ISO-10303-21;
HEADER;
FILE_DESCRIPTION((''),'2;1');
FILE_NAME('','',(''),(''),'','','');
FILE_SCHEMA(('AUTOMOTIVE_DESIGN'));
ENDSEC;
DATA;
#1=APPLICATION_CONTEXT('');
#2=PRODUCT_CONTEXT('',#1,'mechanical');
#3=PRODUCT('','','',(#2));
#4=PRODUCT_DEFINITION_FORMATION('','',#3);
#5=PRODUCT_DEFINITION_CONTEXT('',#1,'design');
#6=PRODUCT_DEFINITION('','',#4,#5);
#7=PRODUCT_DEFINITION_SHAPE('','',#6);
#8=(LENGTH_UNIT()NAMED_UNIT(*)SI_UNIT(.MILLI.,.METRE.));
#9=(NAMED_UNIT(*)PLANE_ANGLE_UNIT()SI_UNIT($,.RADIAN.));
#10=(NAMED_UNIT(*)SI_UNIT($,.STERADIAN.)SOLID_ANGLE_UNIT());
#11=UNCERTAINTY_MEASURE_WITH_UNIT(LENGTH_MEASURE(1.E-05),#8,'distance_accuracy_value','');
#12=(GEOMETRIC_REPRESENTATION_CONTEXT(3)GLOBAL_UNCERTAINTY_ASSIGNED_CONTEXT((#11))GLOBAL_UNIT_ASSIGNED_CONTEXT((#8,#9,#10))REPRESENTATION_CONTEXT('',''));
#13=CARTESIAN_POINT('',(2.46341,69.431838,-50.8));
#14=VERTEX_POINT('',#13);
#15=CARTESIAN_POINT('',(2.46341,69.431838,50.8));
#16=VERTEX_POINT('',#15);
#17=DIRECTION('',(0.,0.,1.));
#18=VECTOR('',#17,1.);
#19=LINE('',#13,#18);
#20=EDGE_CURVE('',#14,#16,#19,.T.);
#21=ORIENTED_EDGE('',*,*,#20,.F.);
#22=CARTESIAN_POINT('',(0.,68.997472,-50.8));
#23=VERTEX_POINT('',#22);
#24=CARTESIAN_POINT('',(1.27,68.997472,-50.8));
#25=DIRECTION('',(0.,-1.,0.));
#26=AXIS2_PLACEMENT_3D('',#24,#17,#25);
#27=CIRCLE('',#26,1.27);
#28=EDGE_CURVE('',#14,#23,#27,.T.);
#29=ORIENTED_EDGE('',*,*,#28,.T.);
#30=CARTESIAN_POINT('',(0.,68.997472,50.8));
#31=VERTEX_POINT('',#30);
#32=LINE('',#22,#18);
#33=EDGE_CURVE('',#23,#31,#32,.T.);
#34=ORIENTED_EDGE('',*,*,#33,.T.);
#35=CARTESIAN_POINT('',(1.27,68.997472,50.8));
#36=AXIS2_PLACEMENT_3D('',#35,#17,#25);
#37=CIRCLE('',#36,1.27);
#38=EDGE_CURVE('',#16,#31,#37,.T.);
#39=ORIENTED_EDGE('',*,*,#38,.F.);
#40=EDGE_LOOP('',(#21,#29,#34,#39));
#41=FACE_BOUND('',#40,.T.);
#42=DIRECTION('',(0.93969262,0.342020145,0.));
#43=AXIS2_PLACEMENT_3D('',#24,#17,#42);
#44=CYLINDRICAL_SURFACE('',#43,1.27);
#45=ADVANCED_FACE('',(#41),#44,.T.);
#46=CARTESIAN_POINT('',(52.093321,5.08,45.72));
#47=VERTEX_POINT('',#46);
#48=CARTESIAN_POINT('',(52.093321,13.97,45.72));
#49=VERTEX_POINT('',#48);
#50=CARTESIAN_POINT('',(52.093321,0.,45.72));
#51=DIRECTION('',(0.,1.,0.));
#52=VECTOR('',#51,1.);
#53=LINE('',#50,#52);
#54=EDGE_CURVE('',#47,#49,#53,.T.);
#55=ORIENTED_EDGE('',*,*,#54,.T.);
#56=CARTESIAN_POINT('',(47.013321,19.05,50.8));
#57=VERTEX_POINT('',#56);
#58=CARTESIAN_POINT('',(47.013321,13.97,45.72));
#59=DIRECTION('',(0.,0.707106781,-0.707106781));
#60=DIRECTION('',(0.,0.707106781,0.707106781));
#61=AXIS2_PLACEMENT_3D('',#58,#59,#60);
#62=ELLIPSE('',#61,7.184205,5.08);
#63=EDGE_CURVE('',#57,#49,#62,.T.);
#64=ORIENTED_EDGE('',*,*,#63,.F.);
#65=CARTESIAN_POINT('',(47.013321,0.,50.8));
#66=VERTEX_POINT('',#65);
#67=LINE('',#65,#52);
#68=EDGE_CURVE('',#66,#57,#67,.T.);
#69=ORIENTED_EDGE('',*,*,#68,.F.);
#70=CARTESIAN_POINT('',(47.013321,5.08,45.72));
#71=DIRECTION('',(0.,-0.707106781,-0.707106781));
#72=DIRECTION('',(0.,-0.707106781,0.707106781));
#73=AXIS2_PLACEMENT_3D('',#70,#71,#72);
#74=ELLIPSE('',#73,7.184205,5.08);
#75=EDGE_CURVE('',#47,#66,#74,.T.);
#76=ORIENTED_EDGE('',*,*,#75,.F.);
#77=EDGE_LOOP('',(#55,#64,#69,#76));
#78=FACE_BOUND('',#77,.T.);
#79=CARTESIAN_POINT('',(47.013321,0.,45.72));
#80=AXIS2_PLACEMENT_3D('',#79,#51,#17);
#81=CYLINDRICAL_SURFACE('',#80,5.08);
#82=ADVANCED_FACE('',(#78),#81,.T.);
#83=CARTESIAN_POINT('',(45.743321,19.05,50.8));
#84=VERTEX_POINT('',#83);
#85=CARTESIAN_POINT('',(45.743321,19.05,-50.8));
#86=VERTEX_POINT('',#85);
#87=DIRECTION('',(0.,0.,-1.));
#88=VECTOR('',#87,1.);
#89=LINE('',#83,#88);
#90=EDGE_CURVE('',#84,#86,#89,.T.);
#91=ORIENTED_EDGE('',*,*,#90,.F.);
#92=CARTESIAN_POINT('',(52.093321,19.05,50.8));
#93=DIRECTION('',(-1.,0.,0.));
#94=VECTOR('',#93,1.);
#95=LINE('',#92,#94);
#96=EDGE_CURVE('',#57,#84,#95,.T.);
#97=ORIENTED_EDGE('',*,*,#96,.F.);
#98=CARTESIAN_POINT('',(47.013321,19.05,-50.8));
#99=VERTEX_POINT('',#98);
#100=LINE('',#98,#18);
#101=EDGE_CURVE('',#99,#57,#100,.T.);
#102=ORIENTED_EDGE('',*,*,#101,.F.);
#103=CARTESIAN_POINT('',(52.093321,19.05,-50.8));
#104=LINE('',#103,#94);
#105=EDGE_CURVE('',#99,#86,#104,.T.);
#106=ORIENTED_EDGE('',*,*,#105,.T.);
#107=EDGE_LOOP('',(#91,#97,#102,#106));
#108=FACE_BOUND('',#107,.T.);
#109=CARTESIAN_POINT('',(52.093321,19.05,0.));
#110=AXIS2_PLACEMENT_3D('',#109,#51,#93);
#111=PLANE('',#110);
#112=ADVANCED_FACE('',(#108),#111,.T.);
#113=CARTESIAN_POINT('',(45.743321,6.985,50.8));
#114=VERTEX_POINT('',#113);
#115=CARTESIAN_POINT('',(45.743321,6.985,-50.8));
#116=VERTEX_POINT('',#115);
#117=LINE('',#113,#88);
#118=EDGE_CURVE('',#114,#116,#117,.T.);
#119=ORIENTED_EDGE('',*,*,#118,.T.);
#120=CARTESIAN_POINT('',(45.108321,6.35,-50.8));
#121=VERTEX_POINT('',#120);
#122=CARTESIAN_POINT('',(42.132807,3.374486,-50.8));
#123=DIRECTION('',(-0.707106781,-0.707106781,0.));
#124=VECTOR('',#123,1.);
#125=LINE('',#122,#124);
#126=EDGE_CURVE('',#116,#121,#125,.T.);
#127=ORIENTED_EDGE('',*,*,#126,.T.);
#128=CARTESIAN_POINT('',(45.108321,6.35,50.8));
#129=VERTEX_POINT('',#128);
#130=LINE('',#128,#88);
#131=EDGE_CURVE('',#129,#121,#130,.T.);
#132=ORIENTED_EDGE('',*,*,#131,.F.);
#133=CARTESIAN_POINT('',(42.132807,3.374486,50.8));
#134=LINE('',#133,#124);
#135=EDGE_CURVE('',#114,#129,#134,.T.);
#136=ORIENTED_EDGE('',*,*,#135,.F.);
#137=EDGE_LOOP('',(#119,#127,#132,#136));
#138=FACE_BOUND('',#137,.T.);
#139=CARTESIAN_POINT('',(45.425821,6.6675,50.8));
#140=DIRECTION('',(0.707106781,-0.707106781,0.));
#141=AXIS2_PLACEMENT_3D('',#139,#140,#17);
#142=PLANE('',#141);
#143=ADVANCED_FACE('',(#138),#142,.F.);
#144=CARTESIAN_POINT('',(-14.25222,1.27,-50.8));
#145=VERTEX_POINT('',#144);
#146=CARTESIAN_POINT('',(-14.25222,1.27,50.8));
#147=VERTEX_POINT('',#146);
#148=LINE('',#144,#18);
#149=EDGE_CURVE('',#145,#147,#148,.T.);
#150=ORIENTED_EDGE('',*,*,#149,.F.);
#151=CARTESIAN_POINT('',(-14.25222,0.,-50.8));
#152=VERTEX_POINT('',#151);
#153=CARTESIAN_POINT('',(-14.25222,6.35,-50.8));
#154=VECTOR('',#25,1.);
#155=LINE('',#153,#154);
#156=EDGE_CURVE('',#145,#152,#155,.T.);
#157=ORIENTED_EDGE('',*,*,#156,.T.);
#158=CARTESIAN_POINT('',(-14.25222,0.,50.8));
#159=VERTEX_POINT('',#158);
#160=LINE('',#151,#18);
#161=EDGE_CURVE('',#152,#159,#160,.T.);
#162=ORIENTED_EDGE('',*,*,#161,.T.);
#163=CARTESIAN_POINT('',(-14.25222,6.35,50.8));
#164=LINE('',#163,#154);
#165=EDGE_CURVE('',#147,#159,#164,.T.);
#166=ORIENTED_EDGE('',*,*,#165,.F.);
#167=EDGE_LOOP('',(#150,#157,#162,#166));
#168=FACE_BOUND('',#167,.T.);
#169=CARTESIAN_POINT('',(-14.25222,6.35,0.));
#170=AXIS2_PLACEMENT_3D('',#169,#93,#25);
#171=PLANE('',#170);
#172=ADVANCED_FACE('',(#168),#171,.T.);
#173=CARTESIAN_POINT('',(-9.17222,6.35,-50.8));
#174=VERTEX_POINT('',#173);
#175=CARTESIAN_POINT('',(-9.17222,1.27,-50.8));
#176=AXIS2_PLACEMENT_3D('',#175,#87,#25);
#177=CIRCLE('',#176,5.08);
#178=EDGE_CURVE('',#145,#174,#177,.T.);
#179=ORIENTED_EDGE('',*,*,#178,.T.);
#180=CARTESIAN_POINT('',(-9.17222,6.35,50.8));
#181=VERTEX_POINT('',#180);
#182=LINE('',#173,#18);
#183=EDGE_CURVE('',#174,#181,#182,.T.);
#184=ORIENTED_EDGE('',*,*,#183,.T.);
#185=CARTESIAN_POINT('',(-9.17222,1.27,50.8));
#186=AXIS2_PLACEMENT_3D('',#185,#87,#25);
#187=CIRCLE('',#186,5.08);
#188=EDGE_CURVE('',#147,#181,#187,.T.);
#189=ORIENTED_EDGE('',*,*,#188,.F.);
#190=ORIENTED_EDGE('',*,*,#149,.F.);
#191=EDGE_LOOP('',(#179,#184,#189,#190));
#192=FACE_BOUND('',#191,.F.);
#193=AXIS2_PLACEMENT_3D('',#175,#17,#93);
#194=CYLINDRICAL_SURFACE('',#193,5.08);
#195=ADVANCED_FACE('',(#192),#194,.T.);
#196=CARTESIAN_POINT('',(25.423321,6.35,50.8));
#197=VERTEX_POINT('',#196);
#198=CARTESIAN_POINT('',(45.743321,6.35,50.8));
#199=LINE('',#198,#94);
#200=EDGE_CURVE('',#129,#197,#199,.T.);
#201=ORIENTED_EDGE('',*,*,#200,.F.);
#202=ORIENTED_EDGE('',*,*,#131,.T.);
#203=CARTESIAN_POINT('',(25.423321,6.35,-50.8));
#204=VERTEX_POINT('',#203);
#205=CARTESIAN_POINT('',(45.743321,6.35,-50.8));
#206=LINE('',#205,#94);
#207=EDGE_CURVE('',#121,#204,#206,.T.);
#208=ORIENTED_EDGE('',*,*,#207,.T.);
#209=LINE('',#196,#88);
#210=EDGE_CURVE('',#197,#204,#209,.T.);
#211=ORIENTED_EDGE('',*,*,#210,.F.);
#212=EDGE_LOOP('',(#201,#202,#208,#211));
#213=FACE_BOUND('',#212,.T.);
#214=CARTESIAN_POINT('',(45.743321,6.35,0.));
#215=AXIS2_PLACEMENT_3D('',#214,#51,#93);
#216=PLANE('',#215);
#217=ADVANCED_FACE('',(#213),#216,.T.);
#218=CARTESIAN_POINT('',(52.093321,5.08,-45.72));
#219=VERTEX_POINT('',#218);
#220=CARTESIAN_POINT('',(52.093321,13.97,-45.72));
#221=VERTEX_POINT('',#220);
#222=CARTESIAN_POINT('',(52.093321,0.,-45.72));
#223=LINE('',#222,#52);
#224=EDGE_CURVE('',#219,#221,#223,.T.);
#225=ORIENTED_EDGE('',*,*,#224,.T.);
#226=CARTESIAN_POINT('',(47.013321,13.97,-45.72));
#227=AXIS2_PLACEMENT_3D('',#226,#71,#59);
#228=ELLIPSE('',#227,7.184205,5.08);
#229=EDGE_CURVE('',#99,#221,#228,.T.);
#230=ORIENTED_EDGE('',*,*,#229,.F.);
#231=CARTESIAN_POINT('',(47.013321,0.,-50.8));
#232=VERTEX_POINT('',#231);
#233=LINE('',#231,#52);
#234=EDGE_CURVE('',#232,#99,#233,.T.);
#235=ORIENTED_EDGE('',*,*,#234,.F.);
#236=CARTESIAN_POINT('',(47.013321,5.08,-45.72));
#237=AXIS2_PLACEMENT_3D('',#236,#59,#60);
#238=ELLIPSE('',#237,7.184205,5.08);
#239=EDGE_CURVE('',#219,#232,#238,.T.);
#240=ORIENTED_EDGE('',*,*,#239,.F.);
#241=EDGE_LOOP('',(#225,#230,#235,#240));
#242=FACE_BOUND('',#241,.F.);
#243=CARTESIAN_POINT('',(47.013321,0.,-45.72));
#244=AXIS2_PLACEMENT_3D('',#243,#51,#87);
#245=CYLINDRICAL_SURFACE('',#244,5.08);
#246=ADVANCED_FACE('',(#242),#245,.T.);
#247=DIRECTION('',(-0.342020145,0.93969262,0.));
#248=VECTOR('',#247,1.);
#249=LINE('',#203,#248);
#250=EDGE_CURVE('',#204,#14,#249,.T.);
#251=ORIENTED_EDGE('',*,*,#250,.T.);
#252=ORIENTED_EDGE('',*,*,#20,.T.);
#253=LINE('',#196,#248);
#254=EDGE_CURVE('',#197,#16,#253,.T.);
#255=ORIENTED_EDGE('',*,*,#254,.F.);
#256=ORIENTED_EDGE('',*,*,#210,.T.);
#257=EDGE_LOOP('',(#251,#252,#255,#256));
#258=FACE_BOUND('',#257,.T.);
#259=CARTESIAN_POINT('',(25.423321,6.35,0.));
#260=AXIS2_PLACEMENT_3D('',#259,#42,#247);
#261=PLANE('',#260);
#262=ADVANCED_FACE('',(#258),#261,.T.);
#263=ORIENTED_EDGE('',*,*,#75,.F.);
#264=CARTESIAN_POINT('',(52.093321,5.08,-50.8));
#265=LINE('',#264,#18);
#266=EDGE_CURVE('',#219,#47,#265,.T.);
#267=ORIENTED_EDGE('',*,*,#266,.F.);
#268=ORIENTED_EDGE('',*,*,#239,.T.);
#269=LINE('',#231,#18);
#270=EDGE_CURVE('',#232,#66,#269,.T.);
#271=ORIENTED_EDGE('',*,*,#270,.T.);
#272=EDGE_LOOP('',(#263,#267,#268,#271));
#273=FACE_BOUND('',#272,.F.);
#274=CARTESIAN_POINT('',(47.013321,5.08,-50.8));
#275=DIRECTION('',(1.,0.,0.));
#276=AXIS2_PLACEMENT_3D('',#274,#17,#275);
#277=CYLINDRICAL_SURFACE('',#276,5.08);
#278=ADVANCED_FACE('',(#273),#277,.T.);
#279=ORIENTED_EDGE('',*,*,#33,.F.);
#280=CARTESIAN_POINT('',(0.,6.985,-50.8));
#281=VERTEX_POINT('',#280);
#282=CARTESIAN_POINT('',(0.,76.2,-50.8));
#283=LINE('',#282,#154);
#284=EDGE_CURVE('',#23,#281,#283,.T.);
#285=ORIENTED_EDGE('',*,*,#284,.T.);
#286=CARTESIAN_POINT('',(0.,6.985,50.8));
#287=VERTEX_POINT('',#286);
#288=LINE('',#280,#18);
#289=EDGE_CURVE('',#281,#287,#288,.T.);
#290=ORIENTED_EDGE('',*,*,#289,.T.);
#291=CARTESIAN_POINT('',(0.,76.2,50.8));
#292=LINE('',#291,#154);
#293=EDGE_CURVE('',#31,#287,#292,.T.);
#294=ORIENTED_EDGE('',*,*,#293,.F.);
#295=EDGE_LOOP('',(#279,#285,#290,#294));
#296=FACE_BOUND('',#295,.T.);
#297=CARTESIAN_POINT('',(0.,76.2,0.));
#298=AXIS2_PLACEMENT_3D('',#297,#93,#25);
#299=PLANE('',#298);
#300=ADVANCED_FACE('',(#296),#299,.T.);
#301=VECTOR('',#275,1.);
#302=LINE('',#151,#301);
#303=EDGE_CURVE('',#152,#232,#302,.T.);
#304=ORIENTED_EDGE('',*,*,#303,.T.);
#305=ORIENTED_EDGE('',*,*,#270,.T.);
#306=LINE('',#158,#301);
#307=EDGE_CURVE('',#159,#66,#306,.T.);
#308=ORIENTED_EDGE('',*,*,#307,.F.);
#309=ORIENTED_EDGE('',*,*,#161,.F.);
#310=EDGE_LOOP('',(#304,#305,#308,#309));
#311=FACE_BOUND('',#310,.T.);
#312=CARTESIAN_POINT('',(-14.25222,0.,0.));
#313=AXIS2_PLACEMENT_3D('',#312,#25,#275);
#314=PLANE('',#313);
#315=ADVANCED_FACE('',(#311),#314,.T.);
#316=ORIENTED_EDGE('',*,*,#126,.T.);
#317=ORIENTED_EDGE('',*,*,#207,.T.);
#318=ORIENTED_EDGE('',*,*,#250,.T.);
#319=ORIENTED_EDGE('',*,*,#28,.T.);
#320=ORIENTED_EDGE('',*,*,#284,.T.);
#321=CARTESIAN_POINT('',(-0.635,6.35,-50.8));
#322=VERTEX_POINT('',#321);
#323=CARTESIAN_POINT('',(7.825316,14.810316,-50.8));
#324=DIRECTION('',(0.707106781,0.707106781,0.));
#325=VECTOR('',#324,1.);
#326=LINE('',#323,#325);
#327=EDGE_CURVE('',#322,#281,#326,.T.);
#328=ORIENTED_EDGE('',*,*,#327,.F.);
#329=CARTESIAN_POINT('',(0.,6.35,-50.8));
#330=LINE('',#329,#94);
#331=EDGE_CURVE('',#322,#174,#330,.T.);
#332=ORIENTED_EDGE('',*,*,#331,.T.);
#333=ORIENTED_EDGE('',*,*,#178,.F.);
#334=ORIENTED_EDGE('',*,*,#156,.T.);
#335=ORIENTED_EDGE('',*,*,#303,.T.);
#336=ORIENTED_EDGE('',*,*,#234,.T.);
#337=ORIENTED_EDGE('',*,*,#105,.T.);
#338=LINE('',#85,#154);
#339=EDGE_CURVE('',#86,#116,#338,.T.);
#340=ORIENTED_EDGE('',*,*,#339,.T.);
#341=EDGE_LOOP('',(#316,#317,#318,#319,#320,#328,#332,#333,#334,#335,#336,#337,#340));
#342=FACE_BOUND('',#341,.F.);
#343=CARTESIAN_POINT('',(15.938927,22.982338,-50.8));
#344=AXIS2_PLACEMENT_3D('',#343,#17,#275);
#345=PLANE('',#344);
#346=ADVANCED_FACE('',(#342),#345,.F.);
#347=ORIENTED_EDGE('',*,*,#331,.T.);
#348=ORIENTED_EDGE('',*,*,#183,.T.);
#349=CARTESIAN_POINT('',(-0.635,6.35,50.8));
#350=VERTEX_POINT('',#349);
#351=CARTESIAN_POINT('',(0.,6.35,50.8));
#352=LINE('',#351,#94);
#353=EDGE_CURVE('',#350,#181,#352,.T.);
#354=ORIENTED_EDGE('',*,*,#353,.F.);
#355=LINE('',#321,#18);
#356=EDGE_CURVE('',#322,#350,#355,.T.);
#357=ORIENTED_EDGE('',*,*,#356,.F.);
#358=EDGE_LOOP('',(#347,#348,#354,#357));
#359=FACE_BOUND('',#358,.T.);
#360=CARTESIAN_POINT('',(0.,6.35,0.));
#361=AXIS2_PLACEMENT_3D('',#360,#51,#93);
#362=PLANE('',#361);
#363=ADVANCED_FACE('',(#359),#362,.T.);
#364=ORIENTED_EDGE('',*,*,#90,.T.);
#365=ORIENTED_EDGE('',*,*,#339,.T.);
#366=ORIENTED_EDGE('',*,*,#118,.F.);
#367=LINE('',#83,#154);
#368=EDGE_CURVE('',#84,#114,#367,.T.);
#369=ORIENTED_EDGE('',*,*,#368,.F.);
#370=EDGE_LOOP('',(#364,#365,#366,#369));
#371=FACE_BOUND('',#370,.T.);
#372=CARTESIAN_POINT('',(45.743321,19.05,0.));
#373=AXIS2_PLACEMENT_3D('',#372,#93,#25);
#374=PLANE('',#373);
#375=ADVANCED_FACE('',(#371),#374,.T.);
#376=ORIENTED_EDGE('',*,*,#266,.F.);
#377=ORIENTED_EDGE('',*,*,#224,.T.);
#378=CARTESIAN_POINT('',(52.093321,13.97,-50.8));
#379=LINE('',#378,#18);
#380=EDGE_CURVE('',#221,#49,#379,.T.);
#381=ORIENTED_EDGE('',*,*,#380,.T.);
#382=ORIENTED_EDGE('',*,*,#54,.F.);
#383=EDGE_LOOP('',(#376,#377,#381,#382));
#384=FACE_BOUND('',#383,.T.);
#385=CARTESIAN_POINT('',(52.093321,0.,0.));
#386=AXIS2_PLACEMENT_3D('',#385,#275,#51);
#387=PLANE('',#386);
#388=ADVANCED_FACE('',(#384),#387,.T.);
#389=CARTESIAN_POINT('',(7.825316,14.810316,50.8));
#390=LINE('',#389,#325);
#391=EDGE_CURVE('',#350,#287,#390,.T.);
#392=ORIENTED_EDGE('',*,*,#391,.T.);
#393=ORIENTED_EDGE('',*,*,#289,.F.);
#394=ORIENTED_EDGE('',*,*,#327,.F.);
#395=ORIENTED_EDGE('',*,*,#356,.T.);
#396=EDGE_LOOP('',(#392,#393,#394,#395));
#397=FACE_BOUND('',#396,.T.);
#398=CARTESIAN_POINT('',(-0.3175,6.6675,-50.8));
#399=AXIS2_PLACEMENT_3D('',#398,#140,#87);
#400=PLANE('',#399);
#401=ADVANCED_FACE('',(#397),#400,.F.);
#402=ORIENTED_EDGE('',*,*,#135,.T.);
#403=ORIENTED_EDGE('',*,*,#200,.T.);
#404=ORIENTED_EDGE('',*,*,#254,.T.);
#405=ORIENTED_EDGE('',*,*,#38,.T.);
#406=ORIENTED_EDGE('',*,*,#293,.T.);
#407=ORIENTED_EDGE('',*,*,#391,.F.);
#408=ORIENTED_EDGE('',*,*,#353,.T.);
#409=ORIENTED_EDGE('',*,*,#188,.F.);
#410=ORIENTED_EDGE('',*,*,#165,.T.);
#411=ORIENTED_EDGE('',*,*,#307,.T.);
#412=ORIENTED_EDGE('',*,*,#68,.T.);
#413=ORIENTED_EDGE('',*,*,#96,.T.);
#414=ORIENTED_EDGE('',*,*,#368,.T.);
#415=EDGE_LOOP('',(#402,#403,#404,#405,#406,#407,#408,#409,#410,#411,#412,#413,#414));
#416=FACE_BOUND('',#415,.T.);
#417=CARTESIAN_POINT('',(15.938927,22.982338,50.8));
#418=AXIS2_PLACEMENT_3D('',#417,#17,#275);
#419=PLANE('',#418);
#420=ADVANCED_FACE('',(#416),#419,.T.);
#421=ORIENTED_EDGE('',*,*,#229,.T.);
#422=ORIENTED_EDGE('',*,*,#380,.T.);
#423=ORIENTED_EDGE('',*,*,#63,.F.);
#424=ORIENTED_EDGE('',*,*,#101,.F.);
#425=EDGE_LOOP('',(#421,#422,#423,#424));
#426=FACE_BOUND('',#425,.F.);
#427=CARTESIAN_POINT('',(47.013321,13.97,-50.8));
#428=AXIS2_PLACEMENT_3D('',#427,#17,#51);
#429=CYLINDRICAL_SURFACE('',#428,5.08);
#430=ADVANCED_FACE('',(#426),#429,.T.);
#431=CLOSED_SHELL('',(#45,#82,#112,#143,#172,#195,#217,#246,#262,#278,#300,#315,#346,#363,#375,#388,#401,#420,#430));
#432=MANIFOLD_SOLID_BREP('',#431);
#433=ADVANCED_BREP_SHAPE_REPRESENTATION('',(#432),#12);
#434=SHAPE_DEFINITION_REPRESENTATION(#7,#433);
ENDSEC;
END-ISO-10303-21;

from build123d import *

# Parameters (mm, degrees)
F1_DEPTH = 50.8
F2_R     = 1.27
F3_R     = 5.08
F4_SIZE  = 0.635
F5_R     = 5.08


with BuildPart() as f1:
    # F0 (on Top) → F1 (new body, symmetric)
    with BuildSketch(Plane.XY):
        Polygon((25.423321, 6.35), (0, 76.2), (0, 6.35), (-14.25222, 6.35), (-14.25222, 0), (0, 0), (52.093321, 0), (52.093321, 19.05), (45.743321, 19.05), (45.743321, 6.35), align=None)
    extrude(amount=F1_DEPTH, both=True)

    # F2
    f2_edges = [f1.edges().sort_by_distance(p)[0] for p in [
        (0, 76.2, 0),
    ]]
    fillet(f2_edges, radius=F2_R)

    # F3
    f3_edges = [f1.edges().sort_by_distance(p)[0] for p in [
        (52.093321, 0, 0),
        (52.093321, 9.525, -50.8),
        (52.093321, 19.05, 0),
        (52.093321, 9.525, 50.8),
    ]]
    fillet(f3_edges, radius=F3_R)

    # F4
    f4_edges = [f1.edges().sort_by_distance(p)[0] for p in [
        (45.743321, 6.35, 0),
        (0, 6.35, 0),
    ]]
    chamfer(f4_edges, length=F4_SIZE)

    # F5
    f5_edges = [f1.edges().sort_by_distance(p)[0] for p in [
        (-14.25222, 6.35, 0),
    ]]
    fillet(f5_edges, radius=F5_R)


solid = f1.part
